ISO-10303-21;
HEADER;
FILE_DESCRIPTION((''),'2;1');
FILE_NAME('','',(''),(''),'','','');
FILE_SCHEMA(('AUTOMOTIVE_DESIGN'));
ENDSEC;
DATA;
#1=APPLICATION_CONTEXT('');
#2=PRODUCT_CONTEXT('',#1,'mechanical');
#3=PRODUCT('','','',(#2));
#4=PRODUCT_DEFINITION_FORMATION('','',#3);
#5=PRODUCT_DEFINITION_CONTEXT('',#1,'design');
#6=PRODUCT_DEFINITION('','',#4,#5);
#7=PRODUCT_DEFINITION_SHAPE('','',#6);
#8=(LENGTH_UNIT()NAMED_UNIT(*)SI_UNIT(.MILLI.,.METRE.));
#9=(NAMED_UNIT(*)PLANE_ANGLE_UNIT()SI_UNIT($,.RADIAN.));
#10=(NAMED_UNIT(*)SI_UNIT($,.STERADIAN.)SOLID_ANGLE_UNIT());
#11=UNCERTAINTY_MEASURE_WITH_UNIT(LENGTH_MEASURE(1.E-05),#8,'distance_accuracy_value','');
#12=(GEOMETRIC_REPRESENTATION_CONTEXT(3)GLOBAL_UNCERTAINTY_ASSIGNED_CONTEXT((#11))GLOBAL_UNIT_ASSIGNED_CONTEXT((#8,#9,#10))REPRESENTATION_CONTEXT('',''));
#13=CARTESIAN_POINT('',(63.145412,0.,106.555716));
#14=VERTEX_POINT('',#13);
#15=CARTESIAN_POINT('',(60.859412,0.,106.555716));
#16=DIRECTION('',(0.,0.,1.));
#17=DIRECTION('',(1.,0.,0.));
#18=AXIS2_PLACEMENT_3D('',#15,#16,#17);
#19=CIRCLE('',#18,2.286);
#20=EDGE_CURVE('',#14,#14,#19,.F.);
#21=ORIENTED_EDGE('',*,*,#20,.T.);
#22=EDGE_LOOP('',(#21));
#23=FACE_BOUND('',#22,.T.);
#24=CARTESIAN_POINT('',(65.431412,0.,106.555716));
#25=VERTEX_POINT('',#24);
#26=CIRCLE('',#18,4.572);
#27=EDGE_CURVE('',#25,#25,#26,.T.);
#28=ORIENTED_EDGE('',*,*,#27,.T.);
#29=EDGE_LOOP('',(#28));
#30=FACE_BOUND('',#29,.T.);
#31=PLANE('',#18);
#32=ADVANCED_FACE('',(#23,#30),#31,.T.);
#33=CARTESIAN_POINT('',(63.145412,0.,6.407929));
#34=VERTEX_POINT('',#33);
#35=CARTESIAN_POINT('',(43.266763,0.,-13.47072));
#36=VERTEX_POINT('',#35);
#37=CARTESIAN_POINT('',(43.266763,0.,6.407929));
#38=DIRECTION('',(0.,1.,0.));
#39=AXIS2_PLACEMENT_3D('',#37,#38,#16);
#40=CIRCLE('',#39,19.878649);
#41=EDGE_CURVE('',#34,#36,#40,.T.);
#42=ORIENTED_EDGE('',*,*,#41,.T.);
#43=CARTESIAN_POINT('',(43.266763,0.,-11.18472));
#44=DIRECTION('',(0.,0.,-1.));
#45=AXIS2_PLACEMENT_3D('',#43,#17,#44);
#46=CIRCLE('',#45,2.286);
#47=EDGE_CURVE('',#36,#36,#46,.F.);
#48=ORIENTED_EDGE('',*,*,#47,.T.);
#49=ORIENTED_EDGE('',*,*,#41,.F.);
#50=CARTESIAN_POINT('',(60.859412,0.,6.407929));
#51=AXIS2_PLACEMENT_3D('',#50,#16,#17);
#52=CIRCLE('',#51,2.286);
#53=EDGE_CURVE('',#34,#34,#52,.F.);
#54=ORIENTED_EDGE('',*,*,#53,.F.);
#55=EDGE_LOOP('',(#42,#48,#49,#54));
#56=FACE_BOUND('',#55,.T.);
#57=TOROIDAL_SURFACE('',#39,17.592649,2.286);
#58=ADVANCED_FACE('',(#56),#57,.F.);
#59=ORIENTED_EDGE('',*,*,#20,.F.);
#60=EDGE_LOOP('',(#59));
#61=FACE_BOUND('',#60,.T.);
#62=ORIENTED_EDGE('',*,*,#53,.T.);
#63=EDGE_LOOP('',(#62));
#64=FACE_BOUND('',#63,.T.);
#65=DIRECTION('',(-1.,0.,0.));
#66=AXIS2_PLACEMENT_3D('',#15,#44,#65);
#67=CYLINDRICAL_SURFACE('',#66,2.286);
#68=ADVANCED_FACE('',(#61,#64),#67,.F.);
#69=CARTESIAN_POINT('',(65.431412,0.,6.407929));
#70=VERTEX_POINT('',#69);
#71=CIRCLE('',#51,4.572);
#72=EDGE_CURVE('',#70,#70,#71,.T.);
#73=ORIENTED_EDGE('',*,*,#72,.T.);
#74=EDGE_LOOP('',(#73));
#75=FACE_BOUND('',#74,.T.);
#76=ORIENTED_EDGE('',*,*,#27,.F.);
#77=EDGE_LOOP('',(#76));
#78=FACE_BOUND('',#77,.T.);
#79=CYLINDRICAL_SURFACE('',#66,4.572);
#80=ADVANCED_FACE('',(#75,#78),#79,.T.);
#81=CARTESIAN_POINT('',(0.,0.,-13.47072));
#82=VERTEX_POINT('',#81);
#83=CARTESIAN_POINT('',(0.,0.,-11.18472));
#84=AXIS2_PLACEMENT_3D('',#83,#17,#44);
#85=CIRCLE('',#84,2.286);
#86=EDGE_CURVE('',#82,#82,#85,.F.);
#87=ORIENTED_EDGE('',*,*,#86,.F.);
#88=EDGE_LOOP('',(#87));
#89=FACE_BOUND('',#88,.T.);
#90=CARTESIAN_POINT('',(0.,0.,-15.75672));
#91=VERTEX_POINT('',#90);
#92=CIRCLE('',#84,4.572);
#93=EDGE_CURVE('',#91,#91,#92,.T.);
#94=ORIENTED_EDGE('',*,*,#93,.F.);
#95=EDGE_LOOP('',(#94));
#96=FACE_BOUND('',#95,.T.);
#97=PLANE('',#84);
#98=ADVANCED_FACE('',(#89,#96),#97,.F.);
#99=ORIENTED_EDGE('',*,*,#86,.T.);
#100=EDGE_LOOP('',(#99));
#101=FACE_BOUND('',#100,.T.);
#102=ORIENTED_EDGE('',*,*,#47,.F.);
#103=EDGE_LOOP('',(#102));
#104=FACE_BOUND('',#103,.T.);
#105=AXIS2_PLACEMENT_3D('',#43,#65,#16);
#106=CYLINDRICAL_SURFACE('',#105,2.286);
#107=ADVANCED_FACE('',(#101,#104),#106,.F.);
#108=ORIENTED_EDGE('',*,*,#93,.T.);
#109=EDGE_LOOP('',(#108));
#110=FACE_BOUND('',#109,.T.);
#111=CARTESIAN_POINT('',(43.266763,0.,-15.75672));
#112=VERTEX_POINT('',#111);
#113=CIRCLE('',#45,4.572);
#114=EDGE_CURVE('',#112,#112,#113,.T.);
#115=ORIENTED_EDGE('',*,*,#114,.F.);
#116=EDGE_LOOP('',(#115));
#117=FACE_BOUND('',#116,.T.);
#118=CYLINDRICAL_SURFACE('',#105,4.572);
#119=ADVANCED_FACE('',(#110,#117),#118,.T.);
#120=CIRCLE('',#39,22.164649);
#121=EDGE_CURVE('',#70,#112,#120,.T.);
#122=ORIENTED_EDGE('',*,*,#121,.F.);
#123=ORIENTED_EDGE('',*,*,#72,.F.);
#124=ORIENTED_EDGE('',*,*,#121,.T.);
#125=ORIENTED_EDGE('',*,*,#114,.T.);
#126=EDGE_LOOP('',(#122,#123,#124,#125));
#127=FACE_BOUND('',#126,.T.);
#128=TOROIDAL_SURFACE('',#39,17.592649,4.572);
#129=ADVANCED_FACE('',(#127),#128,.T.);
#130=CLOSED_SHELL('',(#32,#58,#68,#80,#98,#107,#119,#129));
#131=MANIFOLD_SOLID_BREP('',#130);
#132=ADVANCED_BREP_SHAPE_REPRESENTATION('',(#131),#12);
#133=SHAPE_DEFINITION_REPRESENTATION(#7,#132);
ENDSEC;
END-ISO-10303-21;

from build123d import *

# Parameters (mm, degrees)
SKETCH11_R   = 4.572
SKETCH11_R_2 = 2.286


with BuildPart() as part:
    # Sweep4: sweep along a path in Sketch10
    with BuildLine(Plane(origin=(0, 0, 0), x_dir=(1, 0, 0), z_dir=(0, 1, 0))) as sweep4_path:
        Line((60.859412379, -106.555716131), (60.859412379, -6.407929101))
        ThreePointArc((60.859412379, -6.407929101), (55.706644722, 6.03195246), (43.266763161, 11.184720116))
        Line((43.266763161, 11.184720116), (0, 11.184720116))
    # Sketch11 → Sweep4 (sweep)
    with BuildSketch(Plane(origin=(0, 0, 0), x_dir=(0, 0, -1), z_dir=(1, 0, 0))):
        with Locations((11.184720116, 0)):
            Circle(SKETCH11_R)
        with Locations((11.184720116, 0)):
            Circle(SKETCH11_R_2, mode=Mode.SUBTRACT)
    sweep(path=sweep4_path.line)


solid = part.part
